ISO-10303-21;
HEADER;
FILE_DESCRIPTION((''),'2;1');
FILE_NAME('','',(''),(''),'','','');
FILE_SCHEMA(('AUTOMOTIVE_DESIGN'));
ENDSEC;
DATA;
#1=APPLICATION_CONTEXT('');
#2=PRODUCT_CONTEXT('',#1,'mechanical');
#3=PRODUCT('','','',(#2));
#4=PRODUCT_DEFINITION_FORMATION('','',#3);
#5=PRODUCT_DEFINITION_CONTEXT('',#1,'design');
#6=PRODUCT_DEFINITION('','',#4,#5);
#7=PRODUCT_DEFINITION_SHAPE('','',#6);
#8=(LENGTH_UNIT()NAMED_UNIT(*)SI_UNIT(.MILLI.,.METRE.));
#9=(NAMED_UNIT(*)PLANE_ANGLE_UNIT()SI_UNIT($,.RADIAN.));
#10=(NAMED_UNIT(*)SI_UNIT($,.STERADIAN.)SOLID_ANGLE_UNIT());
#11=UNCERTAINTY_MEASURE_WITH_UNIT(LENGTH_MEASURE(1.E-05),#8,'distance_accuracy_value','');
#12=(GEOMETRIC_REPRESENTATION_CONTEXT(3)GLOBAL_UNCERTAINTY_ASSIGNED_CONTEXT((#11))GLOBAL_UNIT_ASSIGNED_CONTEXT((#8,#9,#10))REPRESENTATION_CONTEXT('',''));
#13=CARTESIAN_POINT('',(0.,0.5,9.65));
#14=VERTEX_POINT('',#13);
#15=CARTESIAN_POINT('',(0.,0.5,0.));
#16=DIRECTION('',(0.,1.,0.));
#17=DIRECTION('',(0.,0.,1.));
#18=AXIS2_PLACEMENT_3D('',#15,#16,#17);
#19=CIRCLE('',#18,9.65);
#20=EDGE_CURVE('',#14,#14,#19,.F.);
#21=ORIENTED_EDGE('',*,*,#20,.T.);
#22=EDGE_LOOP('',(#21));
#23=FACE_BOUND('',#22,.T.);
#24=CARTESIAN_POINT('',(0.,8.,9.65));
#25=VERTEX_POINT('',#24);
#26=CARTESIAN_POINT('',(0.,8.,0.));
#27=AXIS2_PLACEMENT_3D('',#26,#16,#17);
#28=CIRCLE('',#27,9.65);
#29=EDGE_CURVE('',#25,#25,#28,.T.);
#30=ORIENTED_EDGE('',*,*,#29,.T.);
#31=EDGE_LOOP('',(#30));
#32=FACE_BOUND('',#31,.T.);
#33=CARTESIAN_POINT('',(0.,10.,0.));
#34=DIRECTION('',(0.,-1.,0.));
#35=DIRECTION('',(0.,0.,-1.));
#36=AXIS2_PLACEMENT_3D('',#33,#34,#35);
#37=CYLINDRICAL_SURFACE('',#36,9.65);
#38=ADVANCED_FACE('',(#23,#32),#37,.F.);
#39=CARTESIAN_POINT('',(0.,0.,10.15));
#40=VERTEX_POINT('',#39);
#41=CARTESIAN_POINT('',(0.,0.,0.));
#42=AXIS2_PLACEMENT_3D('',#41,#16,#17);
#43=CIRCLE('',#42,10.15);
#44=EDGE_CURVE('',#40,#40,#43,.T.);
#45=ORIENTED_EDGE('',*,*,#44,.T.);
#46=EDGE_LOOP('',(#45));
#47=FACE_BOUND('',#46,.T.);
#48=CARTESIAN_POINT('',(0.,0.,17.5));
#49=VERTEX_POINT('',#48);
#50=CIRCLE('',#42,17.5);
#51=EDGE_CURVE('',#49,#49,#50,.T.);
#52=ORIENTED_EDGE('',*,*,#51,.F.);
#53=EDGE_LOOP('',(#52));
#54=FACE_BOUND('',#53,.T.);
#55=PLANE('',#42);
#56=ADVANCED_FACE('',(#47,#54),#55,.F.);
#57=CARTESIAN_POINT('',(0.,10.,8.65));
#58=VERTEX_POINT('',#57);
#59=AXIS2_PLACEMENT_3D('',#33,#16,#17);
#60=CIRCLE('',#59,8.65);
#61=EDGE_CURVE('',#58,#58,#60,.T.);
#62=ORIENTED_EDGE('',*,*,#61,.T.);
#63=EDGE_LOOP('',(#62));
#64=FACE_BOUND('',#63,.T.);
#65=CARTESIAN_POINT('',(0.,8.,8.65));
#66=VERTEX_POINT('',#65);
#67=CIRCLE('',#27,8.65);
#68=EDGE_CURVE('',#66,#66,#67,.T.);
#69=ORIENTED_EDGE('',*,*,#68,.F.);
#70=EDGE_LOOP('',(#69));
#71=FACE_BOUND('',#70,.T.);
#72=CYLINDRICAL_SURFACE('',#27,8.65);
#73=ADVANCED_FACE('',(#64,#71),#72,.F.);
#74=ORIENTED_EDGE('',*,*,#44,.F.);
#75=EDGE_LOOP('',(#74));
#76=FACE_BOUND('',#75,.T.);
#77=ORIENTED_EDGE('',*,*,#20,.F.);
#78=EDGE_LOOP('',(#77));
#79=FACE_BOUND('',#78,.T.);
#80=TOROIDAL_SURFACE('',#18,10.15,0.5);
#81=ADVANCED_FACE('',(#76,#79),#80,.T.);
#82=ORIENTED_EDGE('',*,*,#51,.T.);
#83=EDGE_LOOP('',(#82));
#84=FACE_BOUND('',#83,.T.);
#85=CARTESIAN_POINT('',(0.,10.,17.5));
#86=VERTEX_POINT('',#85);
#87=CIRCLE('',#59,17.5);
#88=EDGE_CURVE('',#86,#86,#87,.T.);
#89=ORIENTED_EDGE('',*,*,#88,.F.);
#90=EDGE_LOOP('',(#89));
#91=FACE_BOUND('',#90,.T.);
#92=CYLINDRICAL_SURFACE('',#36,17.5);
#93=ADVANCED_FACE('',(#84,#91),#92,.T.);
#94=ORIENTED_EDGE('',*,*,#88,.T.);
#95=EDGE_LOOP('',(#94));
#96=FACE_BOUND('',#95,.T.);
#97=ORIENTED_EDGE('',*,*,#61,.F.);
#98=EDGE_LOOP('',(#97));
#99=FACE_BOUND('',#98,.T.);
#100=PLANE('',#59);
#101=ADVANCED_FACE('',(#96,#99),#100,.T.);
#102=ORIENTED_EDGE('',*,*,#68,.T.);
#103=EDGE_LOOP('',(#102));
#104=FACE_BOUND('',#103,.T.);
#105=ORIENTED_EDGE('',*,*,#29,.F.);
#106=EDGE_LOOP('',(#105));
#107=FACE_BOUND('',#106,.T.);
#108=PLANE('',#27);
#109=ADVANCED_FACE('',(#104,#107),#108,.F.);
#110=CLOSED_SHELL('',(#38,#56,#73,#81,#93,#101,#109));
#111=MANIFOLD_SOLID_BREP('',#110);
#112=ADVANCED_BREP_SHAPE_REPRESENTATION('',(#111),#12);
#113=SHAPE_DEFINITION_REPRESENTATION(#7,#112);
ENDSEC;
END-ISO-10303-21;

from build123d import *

# Parameters (mm, degrees)
SKETCH_1_R      = 17.5
SKETCH_1_R_2    = 9.65
EXTRUDE_1_DEPTH = 10
SKETCH_2_R      = 9.65
SKETCH_2_R_2    = 8.65
EXTRUDE_2_DEPTH = 2
FILLET_1_R      = 0.5


with BuildPart() as part:
    # Эскиз1 → Бобышка-Вытянуть1 (new body)
    with BuildSketch(Plane(origin=(0, 0, 0), x_dir=(1, 0, 0), z_dir=(0, 1, 0))):
        Circle(SKETCH_1_R)
        Circle(SKETCH_1_R_2, mode=Mode.SUBTRACT)
    extrude(amount=EXTRUDE_1_DEPTH)

    # Эскиз2 → Бобышка-Вытянуть2 (add)
    with BuildSketch(Plane(origin=(0, 10, 0), x_dir=(1, 0, 0), z_dir=(0, 1, 0))):
        Circle(SKETCH_2_R)
        Circle(SKETCH_2_R_2, mode=Mode.SUBTRACT)
    extrude(amount=-EXTRUDE_2_DEPTH)

    # Скругление1
    fillet_1_edges = [part.edges().sort_by_distance(p)[0] for p in [
        (-9.65, 0, 0),
    ]]
    fillet(fillet_1_edges, radius=FILLET_1_R)


solid = part.part
